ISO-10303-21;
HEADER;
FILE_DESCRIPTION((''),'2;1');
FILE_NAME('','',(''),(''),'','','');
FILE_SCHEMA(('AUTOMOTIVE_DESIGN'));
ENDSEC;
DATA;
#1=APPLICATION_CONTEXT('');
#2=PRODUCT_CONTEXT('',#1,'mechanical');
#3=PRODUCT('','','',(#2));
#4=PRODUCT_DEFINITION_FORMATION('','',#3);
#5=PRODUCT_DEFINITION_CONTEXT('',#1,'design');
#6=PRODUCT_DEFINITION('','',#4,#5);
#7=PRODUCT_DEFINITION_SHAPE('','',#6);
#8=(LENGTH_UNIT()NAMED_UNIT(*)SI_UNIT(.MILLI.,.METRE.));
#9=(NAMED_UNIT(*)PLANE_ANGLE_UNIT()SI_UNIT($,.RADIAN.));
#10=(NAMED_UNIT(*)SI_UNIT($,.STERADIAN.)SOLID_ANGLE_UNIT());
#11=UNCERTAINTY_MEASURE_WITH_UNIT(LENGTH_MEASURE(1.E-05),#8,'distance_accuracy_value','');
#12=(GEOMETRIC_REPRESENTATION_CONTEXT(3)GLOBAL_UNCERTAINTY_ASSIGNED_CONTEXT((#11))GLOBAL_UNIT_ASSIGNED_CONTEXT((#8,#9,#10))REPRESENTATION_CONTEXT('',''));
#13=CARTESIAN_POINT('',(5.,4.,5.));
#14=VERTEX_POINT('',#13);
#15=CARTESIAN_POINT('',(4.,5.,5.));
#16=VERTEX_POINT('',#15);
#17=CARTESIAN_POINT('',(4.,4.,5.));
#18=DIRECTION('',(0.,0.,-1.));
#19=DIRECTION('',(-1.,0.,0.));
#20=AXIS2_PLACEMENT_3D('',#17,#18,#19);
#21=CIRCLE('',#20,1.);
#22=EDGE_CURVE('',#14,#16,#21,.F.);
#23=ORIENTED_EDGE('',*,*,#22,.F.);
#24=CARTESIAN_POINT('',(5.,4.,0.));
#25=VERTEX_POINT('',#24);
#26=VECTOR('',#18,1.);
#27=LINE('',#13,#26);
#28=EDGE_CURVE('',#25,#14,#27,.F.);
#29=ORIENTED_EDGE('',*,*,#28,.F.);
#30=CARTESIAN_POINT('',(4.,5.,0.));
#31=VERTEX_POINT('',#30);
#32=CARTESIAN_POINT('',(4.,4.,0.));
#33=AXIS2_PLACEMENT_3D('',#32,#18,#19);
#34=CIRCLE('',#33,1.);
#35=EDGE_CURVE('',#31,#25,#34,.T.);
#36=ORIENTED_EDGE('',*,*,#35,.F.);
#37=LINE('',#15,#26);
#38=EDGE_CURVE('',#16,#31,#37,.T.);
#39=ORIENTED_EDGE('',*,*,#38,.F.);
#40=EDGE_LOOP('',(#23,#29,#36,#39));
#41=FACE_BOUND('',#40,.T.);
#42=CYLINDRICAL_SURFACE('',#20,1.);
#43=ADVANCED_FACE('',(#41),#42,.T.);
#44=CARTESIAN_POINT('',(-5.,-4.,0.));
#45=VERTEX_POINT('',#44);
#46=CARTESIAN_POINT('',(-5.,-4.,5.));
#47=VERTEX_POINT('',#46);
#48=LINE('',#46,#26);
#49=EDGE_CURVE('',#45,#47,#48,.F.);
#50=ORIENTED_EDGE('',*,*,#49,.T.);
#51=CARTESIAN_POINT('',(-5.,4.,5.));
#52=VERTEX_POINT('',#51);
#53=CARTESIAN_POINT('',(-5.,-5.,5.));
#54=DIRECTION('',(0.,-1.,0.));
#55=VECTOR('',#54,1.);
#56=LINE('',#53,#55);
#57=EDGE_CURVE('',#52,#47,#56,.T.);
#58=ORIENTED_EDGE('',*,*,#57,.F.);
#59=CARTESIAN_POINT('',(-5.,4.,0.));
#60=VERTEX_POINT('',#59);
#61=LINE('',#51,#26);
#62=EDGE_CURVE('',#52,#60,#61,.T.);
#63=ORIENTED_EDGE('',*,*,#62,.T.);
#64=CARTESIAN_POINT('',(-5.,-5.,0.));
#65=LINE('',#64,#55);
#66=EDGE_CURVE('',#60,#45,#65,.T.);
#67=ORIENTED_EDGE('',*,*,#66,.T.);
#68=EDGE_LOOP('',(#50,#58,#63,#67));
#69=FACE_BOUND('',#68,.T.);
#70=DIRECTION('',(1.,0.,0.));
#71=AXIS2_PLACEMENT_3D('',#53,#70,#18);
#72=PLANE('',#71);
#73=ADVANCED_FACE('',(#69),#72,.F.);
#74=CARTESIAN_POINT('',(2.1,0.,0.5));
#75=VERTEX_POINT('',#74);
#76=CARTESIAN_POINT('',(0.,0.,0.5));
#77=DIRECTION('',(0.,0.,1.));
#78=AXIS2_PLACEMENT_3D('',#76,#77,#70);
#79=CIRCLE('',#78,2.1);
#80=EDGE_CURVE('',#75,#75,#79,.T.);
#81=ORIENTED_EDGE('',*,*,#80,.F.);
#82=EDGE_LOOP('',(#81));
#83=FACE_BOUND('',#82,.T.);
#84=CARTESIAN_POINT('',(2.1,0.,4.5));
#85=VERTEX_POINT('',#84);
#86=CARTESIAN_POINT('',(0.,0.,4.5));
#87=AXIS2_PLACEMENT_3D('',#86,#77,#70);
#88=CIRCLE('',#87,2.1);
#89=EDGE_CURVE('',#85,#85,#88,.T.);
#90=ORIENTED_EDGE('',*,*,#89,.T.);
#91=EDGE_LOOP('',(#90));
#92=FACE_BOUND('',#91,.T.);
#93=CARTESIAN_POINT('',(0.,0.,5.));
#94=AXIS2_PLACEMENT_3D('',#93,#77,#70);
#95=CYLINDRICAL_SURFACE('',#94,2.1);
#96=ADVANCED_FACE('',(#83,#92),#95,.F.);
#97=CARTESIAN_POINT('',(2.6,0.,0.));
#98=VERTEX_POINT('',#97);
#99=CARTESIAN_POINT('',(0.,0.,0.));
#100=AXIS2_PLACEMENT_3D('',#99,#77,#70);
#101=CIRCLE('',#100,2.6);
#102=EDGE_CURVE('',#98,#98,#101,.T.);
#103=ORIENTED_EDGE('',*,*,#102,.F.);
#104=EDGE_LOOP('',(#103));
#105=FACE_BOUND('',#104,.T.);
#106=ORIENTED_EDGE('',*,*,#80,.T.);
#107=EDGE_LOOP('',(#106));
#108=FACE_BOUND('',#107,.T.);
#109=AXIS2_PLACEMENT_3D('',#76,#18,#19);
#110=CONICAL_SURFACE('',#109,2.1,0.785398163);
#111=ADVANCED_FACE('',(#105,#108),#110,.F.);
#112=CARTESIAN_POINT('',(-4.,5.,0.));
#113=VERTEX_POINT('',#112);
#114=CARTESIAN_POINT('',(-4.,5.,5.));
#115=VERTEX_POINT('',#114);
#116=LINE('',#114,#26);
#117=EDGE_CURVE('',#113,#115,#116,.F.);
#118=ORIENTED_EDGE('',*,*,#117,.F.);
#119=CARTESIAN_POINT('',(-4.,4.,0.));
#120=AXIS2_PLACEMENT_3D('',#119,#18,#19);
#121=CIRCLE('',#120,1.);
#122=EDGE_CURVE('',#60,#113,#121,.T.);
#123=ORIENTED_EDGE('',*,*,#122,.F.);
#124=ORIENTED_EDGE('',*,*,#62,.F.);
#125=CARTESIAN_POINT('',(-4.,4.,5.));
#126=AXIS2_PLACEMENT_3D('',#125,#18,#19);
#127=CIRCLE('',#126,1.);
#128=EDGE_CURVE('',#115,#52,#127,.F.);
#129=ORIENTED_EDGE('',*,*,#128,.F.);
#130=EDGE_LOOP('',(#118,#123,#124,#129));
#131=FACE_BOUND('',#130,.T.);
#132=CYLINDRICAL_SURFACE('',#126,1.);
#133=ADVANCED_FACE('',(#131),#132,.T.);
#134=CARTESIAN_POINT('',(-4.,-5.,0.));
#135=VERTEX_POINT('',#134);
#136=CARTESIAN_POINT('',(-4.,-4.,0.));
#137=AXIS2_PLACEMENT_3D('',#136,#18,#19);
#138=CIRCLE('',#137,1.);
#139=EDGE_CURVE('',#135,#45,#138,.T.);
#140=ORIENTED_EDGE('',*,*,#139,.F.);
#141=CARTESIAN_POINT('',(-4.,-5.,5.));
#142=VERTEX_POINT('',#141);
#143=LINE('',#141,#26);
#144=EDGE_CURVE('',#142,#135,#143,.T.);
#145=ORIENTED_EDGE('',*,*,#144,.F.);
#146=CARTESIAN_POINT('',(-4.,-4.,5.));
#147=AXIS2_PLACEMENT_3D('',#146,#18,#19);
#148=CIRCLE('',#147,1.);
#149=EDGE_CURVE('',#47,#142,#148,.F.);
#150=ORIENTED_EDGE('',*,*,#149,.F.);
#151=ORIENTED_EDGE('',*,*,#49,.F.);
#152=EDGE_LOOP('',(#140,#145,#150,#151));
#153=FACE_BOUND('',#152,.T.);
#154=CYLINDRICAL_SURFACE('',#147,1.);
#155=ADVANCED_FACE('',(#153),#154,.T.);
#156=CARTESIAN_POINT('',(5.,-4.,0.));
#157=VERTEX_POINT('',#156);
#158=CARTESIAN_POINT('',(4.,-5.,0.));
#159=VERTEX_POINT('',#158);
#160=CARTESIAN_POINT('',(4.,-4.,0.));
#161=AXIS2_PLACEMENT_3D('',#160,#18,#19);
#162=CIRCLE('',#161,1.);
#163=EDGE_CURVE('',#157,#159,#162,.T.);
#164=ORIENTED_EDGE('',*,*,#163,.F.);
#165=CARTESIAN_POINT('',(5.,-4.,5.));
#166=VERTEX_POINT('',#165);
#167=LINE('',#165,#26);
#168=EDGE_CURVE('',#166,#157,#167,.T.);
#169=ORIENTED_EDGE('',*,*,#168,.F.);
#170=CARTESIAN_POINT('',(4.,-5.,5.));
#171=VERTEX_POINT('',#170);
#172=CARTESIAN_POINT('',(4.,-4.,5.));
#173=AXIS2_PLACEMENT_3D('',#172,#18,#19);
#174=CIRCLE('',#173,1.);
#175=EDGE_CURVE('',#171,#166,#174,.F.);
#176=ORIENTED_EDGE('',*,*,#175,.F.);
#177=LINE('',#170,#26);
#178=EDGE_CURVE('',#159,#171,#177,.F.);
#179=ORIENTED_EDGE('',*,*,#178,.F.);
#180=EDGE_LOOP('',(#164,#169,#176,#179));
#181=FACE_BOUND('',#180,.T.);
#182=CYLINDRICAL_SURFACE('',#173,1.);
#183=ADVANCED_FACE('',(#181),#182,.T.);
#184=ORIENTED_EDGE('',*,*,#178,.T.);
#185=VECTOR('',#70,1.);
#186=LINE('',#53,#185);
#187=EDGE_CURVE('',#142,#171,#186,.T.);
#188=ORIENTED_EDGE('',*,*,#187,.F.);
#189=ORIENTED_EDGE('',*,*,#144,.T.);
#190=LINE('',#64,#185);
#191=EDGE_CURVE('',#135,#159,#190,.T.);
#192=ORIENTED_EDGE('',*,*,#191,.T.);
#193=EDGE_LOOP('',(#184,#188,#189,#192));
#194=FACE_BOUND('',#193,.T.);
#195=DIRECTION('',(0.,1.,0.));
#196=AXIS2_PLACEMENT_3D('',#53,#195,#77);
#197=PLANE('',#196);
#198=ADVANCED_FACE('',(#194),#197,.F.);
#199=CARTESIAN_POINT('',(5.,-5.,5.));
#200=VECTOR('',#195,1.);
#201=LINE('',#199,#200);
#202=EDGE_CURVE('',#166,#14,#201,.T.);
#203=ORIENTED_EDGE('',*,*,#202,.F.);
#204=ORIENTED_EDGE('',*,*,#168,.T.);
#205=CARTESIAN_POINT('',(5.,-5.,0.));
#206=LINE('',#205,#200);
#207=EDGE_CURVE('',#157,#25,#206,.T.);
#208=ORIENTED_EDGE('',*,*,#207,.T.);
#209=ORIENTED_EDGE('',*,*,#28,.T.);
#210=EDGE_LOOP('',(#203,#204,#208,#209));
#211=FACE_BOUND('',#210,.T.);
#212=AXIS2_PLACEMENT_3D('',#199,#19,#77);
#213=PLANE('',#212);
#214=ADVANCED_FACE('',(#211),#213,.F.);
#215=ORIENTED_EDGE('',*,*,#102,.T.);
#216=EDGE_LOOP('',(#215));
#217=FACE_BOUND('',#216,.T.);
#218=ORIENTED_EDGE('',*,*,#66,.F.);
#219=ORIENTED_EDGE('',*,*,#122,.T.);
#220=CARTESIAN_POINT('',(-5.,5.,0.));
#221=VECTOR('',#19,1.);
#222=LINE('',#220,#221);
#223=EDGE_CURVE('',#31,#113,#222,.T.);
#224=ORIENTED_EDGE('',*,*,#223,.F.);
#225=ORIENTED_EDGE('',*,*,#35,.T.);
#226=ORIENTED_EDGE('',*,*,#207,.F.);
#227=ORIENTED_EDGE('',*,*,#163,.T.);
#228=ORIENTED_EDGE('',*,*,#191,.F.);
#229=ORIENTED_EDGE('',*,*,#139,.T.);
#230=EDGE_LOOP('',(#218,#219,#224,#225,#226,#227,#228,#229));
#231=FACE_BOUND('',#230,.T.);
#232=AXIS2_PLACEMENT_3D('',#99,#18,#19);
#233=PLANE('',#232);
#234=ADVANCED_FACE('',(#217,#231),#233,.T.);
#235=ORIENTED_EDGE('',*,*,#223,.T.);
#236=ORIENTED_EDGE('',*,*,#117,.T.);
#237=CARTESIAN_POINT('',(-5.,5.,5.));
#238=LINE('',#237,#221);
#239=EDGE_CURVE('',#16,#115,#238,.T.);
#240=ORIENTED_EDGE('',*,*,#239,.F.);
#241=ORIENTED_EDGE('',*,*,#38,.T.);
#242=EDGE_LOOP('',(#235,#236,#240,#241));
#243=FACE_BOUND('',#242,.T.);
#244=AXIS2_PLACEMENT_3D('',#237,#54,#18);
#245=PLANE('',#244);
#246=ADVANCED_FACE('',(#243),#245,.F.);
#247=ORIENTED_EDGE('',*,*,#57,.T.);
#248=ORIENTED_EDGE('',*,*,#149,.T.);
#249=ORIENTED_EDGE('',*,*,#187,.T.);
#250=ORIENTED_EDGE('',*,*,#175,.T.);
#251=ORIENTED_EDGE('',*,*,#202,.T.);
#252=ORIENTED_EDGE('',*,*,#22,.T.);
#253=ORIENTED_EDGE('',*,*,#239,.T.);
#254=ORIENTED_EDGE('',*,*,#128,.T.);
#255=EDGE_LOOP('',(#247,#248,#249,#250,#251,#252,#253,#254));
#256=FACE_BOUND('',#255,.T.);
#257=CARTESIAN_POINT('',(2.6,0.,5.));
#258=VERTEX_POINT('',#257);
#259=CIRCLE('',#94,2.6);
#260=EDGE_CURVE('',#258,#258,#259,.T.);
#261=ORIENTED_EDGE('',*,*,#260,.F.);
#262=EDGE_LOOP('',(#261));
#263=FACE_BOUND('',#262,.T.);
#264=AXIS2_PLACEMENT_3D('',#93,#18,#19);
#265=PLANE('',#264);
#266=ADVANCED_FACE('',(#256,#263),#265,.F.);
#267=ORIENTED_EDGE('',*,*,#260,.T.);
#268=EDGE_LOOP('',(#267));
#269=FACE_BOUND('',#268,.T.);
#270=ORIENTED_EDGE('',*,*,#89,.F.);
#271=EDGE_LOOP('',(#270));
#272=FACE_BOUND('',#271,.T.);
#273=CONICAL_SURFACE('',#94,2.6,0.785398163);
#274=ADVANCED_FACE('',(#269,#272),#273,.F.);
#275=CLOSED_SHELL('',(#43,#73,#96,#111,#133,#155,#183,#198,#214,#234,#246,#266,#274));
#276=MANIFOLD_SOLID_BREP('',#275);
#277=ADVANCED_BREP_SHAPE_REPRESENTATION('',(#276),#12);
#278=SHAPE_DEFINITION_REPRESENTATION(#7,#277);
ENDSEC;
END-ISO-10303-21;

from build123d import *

# Parameters (mm, degrees)
SKETCH_1_W      = 10
SKETCH_1_H      = 10
EXTRUDE_1_DEPTH = 5
FILLET_1_R      = 1


with BuildPart() as part:
    # Эскиз1 → Бобышка-Вытянуть1 (new body)
    with BuildSketch(Plane.XY):
        Rectangle(SKETCH_1_W, SKETCH_1_H)
    extrude(amount=EXTRUDE_1_DEPTH)

    # Эскиз3 → Отверстие обработанное метчиком M51 (revolve, cut)
    with BuildSketch(Plane(origin=(0, 0, 5), x_dir=(0, -1, 0), z_dir=(1, 0, 0))):
        Polygon((0, 0), (0, 5), (2.6, 5), (2.1, 4.5), (2.1, 0.5), (2.6, 0), align=None)
    revolve(axis=Axis((0, 0, 11.35), (0, 0, -1)), mode=Mode.SUBTRACT)

    # Скругление1
    fillet_1_edges = [part.edges().sort_by_distance(p)[0] for p in [
        (5, -5, 2.5),
        (-5, -5, 2.5),
        (-5, 5, 2.5),
        (5, 5, 2.5),
    ]]
    fillet(fillet_1_edges, radius=FILLET_1_R)


solid = part.part
